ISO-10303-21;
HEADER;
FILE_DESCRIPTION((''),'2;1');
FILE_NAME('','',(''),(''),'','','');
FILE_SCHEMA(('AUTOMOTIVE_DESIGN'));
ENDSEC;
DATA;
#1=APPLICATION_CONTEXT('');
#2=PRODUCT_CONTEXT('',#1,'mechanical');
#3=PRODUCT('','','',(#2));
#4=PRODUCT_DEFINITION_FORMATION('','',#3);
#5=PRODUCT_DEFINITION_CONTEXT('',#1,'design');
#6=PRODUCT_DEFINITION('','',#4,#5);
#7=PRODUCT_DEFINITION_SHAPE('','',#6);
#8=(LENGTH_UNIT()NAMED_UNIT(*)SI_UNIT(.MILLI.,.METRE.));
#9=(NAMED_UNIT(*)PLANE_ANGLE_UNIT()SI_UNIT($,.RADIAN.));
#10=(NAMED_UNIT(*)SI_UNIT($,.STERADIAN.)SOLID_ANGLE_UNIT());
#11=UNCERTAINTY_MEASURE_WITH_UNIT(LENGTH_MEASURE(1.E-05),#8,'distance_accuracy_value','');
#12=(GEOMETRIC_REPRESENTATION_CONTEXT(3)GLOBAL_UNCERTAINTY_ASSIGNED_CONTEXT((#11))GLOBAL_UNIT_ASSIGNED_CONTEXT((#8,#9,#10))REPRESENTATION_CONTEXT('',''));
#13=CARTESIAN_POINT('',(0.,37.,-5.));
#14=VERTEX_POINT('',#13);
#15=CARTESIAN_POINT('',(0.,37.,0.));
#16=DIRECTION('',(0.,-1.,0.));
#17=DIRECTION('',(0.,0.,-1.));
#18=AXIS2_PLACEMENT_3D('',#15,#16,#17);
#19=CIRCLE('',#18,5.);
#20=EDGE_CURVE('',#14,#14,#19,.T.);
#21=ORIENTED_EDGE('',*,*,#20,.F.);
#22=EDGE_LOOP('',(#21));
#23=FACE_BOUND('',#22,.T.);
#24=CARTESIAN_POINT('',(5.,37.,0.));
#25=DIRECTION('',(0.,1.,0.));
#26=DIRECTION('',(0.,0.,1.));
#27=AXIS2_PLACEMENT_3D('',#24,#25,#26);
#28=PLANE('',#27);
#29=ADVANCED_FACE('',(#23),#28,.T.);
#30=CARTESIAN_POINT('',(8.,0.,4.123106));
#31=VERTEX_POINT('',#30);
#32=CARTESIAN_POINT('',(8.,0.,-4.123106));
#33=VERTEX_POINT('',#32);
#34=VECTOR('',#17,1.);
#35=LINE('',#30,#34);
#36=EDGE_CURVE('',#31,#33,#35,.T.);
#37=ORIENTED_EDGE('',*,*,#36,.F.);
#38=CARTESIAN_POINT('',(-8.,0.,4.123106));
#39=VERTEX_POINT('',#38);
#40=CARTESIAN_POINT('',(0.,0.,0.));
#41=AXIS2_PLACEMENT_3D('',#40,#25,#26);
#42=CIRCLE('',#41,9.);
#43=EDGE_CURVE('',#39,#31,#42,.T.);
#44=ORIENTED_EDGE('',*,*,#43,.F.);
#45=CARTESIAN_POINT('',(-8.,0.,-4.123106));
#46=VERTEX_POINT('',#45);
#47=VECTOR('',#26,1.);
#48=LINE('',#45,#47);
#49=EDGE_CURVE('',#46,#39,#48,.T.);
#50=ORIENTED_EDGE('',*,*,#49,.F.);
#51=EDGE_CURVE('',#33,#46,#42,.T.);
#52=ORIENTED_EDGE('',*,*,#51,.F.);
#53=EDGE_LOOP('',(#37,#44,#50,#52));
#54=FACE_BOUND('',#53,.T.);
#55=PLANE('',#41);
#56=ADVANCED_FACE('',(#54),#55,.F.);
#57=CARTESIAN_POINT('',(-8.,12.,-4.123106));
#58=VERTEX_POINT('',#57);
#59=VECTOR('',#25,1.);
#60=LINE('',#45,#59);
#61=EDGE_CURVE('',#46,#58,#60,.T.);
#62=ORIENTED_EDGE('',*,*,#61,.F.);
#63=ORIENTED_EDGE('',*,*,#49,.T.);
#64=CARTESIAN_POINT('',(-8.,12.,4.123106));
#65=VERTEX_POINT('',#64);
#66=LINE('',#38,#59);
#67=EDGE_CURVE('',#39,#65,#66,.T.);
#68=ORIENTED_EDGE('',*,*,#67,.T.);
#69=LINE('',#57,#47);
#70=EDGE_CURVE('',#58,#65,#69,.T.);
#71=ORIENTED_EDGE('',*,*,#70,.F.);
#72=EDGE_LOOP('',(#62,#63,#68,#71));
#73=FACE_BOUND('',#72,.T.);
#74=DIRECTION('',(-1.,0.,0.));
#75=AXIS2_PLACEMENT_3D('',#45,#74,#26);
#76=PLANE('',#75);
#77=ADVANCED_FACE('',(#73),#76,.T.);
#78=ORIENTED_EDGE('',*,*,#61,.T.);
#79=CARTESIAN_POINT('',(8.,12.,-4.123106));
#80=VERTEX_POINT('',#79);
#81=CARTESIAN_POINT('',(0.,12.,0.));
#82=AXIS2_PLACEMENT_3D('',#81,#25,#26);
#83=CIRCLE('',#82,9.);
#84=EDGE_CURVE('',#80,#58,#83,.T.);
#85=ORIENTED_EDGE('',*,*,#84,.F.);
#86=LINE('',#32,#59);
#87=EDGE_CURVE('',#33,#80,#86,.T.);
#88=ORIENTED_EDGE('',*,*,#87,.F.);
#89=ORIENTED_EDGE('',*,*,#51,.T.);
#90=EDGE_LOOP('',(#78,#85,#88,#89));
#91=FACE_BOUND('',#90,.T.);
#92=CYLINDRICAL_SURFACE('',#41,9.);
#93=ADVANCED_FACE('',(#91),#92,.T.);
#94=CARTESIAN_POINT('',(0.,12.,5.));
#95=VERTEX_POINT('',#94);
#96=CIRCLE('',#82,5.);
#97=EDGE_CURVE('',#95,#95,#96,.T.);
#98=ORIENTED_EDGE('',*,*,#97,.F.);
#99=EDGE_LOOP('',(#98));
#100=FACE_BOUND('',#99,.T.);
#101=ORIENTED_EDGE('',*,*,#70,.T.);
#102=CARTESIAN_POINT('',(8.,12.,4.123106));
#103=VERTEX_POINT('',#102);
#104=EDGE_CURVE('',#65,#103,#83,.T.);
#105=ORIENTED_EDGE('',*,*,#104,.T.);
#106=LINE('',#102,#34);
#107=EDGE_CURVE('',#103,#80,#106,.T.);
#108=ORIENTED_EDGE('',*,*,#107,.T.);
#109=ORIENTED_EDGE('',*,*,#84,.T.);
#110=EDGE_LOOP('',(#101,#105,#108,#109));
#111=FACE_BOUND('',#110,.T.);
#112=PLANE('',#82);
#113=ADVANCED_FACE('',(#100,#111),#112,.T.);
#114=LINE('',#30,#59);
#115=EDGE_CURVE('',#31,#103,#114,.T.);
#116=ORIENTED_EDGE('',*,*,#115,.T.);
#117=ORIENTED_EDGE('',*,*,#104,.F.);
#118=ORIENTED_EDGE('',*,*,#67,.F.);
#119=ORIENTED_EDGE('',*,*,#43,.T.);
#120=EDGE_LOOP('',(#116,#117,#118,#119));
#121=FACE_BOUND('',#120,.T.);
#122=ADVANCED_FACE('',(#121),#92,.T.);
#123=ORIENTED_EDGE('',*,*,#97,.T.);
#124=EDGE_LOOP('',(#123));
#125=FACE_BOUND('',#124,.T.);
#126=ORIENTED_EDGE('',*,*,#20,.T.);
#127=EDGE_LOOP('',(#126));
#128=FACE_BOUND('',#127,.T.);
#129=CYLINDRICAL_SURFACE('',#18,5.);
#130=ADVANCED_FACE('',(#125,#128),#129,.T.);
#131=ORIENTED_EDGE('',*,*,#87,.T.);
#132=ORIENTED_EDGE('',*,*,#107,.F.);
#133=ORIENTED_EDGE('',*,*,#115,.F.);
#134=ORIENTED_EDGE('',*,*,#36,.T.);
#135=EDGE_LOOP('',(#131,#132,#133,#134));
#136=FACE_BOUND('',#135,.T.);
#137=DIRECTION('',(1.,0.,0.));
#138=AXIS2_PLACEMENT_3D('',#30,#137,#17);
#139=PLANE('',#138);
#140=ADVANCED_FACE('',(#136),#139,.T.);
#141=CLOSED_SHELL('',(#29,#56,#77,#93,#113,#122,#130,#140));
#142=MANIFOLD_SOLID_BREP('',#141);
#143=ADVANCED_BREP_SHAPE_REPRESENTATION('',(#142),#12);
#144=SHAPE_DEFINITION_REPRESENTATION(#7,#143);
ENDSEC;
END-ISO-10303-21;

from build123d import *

# Parameters (mm, degrees)
EXTRUDE_1_DEPTH = 12
SKETCH_2_W      = 5
SKETCH_2_H      = 25


with BuildPart() as part:
    # 草图1 → 凸台-拉伸1 (new body)
    with BuildSketch(Plane(origin=(0, 12, 0), x_dir=(1, 0, 0), z_dir=(0, 1, 0))):
        with BuildLine():
            Line((-8, 4.123105626), (-8, -4.123105626))
            ThreePointArc((-8, -4.123105626), (0, -9), (8, -4.123105626))
            Line((8, -4.123105626), (8, 4.123105626))
            ThreePointArc((8, 4.123105626), (0, 9), (-8, 4.123105626))
        make_face()
    extrude(amount=-EXTRUDE_1_DEPTH)

    # 草图2 → 旋转1 (revolve)
    with BuildSketch(Plane.XY):
        with Locations((2.5, 24.5)):
            Rectangle(SKETCH_2_W, SKETCH_2_H)
    revolve(axis=Axis((0, 37, 0), (0, -1, 0)))


solid = part.part
